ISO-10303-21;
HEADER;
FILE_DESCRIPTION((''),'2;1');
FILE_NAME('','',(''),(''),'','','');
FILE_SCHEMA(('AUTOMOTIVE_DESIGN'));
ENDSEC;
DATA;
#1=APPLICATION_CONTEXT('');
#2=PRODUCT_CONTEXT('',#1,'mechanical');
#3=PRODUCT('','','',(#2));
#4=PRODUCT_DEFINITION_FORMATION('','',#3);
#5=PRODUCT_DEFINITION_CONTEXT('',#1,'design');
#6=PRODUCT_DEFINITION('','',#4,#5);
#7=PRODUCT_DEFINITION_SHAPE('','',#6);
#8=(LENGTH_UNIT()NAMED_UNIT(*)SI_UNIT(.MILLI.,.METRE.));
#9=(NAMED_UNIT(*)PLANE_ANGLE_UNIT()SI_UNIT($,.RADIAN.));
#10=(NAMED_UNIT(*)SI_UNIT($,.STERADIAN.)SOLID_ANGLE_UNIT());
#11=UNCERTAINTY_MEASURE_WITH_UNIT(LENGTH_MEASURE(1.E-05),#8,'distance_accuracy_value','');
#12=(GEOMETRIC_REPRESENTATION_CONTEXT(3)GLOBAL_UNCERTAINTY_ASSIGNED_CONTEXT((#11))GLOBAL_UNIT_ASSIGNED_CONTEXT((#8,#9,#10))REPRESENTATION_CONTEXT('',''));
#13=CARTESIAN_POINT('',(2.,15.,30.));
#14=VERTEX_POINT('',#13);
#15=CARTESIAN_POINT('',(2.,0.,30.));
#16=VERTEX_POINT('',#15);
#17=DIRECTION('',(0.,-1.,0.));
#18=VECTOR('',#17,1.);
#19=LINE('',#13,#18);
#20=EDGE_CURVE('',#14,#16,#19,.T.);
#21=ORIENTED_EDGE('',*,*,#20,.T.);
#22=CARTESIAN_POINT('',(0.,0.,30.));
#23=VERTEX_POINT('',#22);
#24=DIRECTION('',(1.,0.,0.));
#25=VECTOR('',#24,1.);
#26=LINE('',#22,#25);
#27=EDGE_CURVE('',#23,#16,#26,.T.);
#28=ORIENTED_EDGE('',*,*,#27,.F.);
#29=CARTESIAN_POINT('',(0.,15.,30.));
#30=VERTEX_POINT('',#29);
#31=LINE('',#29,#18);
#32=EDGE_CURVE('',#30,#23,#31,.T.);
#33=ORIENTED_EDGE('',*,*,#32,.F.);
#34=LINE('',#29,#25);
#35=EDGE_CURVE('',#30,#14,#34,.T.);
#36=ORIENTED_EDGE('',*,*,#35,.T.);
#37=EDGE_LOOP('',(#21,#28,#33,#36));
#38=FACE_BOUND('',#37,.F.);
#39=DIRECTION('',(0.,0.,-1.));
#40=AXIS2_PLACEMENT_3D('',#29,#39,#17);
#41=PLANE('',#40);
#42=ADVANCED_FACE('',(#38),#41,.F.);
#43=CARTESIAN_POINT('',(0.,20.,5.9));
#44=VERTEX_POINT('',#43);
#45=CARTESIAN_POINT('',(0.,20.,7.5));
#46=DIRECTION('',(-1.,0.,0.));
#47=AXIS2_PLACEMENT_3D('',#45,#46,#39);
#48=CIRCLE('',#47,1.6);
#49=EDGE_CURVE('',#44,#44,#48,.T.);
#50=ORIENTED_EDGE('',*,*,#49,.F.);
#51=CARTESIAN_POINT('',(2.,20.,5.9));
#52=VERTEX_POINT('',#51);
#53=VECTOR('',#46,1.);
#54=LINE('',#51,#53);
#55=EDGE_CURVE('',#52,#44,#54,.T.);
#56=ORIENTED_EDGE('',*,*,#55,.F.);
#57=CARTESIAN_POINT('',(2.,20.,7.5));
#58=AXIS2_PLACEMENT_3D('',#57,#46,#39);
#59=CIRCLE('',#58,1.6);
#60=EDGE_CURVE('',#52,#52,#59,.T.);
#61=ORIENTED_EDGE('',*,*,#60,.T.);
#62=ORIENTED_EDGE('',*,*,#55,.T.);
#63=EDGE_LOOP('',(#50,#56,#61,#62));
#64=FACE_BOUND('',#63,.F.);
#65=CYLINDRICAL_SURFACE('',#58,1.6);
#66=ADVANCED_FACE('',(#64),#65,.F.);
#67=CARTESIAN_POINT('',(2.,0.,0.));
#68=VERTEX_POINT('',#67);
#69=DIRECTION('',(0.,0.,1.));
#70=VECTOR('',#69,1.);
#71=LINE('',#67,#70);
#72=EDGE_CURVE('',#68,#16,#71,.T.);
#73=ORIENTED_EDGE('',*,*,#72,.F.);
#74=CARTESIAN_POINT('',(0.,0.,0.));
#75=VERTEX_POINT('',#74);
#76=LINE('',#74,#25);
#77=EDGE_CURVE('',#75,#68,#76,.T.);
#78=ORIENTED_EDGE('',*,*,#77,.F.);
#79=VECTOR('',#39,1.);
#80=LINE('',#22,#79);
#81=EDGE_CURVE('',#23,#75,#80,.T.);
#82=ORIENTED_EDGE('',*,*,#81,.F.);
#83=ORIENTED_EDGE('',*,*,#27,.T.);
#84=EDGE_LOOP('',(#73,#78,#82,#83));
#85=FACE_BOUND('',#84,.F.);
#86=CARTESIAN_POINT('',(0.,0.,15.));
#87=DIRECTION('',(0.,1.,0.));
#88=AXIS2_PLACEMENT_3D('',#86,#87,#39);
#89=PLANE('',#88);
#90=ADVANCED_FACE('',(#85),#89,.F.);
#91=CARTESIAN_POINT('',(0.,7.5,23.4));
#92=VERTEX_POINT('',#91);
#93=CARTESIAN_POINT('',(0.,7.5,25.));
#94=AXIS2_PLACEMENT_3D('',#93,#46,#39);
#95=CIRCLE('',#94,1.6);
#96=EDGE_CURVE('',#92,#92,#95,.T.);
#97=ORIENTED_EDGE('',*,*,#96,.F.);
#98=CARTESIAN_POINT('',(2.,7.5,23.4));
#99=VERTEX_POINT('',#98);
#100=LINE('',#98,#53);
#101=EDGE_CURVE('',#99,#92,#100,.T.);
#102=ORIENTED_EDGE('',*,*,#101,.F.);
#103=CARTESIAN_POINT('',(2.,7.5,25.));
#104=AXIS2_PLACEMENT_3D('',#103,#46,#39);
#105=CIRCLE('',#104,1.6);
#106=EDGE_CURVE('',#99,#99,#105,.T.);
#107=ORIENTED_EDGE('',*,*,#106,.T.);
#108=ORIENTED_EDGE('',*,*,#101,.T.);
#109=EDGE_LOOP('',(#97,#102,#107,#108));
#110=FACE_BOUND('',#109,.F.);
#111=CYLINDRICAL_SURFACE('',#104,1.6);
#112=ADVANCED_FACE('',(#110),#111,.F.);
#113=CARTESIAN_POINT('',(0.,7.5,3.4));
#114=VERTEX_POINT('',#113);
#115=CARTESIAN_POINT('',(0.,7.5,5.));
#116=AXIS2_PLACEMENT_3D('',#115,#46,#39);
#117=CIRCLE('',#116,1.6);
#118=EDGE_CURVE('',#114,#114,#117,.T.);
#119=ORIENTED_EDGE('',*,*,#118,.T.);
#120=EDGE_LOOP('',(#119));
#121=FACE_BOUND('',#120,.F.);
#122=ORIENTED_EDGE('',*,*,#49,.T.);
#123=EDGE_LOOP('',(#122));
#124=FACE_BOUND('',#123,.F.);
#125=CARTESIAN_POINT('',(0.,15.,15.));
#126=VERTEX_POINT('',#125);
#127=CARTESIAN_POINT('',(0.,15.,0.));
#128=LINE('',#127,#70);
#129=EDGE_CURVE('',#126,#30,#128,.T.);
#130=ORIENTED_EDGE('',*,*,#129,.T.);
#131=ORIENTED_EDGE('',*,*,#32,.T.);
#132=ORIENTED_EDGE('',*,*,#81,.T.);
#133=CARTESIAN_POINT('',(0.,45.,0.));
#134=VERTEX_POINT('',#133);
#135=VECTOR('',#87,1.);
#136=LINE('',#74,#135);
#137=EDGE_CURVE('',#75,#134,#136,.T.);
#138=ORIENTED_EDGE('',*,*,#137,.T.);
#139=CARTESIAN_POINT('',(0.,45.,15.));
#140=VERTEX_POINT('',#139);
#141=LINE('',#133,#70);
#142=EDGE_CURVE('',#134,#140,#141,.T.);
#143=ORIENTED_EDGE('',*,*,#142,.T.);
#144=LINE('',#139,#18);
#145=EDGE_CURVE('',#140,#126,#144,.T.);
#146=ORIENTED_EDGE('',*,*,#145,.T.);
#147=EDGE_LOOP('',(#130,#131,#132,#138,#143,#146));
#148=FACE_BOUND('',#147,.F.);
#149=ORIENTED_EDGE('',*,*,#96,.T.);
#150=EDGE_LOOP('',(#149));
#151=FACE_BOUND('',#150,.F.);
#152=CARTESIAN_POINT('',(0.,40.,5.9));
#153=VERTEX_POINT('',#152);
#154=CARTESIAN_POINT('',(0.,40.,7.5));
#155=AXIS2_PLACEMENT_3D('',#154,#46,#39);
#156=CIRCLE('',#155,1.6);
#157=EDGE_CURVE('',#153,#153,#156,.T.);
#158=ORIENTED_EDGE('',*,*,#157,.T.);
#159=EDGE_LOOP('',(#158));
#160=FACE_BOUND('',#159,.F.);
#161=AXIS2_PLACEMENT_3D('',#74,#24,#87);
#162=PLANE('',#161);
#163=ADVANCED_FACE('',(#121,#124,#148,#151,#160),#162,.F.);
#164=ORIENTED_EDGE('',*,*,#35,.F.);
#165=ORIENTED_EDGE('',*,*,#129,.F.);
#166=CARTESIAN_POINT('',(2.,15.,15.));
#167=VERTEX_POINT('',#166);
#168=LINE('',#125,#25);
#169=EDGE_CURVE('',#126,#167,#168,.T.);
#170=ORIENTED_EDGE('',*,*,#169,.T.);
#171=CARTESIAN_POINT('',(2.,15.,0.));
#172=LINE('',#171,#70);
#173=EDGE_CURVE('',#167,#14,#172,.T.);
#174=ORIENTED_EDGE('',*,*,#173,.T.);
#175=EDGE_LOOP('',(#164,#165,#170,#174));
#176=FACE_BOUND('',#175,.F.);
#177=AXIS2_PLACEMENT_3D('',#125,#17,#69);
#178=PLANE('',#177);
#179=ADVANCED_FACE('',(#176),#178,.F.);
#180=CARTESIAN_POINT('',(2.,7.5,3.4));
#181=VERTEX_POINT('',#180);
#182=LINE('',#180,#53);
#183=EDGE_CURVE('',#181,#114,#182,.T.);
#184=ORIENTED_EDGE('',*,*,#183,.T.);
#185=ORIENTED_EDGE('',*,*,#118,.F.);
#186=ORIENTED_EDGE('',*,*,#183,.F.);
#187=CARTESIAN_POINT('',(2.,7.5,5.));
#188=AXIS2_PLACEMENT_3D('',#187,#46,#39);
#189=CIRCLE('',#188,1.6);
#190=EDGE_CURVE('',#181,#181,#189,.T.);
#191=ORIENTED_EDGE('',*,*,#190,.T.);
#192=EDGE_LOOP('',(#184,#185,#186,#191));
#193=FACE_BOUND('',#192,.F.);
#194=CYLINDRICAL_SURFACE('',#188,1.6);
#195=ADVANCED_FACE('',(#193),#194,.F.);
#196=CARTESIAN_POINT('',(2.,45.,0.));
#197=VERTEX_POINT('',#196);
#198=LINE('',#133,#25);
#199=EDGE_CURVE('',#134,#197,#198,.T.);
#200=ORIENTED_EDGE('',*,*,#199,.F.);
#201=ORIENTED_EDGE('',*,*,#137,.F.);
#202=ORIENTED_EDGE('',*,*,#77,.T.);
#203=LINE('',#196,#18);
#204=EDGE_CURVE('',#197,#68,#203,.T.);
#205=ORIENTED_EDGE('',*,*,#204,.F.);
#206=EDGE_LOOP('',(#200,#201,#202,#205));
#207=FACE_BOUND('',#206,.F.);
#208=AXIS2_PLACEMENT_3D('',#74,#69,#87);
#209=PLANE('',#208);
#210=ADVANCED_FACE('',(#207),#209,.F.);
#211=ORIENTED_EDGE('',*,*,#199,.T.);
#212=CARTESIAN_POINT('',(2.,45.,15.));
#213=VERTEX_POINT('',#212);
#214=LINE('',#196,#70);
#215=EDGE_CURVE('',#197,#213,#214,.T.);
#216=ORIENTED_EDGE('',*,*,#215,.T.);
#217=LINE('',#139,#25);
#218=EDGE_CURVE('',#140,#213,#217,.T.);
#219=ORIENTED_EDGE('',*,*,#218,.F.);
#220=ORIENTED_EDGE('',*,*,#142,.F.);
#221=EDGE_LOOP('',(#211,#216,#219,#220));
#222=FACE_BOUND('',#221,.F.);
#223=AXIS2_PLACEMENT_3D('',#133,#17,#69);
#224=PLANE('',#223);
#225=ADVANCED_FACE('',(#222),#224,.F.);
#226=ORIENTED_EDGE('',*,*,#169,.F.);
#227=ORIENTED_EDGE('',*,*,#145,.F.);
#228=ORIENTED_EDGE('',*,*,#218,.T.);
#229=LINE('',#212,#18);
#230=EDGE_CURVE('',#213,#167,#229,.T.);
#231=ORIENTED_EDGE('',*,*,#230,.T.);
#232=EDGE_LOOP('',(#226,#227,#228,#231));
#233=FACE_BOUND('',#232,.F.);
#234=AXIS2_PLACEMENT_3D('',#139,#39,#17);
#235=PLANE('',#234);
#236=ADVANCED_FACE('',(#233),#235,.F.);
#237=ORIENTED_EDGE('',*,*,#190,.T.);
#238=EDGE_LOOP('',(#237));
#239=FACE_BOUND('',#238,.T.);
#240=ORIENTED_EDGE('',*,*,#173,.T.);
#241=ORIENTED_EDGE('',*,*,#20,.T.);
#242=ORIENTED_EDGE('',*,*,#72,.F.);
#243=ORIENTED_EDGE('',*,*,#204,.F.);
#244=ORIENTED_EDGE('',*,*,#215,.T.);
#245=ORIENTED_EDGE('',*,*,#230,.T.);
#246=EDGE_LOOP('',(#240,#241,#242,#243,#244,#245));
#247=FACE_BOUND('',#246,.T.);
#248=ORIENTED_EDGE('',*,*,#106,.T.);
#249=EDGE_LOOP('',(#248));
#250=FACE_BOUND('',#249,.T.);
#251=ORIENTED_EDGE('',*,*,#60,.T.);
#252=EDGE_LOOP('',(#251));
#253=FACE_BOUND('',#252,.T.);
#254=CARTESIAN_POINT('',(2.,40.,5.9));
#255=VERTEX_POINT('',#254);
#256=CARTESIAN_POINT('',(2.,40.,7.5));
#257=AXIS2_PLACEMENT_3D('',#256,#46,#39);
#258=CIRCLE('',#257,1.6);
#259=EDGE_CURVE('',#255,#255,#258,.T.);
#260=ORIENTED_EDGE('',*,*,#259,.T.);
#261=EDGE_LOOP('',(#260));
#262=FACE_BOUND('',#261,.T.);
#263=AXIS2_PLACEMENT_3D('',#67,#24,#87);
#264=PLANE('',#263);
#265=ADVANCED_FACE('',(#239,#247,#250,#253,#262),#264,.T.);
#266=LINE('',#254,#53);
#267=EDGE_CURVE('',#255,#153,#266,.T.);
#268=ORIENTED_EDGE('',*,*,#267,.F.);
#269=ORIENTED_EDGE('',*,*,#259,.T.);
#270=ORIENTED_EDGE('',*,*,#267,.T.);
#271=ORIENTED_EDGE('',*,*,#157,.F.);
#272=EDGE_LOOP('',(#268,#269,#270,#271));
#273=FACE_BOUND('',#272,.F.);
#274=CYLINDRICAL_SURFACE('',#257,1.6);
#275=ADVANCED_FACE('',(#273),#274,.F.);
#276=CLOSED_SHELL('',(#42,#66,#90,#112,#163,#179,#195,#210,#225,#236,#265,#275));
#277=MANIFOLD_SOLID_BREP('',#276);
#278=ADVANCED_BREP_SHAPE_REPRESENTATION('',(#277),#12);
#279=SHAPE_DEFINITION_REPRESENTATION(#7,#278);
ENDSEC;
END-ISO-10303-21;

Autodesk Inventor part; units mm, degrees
ref_plane "YZ Plane" through (0, 0, 0) normal (1, 0, 0) x (0, 1, 0)
ref_plane "XZ Plane" through (0, 0, 0) normal (0, 1, 0) x (-1, 0, 0)
ref_plane "XY Plane" through (0, 0, 0) normal (0, 0, 1) x (1, 0, 0)
sketch "スケッチ1" plane through (0, 0, 0) normal (1, 0, 0) x (0, 1, 0)
  line L0 (0, 0) -> (45, 0)
  line L1 (45, 0) -> (45, 15)
  line L2 (45, 15) -> (0, 15)
  line L3 (0, 15) -> (0, 0)
  line L4 (0, 0) -> (15, 0)
  line L5 (15, 0) -> (15, 30)
  line L6 (15, 30) -> (0, 30)
  line L7 (0, 30) -> (0, 0)
  point P0 (0, 15)
  point P1 (15, 15)
  dimension "d0" = 15
  dimension "d1" = 15
  dimension "d2" = 30
  dimension "d3" = 30
extrude "押し出し1" add sketch "スケッチ1" along normal blind 2
sketch "スケッチ2" plane through (2, 0, 0) normal (1, 0, 0) x (0, 0, -1)
  line L0 (-30, 15) -> (-30, 0) projected
  line L1 (-30, 7.5) -> (0, 7.5) construction
  line L2 (0, 0) -> (0, 45) projected
  line L3 (0, 45) -> (-15, 45) projected
  line L4 (-7.5, 45) -> (-7.5, 0) construction
  line L5 (-30, 0) -> (0, 0) projected
  point P0 (-25, 7.5)
  point P1 (-5, 7.5)
  point P2 (-7.5, 20)
  point P3 (-7.5, 40)
  dimension "d6" = 20
  dimension "d7" = 5
  dimension "d8" = 20
  dimension "d9" = 5
hole "穴1" at (2, 7.5, 25) at (2, 7.5, 5) at (2, 20, 7.5) at (2, 40, 7.5) direction (-1, 0, 0) diameter 3.2 end through all
properties part number "FrameJointL1515" material "アルミニウム 6061"
